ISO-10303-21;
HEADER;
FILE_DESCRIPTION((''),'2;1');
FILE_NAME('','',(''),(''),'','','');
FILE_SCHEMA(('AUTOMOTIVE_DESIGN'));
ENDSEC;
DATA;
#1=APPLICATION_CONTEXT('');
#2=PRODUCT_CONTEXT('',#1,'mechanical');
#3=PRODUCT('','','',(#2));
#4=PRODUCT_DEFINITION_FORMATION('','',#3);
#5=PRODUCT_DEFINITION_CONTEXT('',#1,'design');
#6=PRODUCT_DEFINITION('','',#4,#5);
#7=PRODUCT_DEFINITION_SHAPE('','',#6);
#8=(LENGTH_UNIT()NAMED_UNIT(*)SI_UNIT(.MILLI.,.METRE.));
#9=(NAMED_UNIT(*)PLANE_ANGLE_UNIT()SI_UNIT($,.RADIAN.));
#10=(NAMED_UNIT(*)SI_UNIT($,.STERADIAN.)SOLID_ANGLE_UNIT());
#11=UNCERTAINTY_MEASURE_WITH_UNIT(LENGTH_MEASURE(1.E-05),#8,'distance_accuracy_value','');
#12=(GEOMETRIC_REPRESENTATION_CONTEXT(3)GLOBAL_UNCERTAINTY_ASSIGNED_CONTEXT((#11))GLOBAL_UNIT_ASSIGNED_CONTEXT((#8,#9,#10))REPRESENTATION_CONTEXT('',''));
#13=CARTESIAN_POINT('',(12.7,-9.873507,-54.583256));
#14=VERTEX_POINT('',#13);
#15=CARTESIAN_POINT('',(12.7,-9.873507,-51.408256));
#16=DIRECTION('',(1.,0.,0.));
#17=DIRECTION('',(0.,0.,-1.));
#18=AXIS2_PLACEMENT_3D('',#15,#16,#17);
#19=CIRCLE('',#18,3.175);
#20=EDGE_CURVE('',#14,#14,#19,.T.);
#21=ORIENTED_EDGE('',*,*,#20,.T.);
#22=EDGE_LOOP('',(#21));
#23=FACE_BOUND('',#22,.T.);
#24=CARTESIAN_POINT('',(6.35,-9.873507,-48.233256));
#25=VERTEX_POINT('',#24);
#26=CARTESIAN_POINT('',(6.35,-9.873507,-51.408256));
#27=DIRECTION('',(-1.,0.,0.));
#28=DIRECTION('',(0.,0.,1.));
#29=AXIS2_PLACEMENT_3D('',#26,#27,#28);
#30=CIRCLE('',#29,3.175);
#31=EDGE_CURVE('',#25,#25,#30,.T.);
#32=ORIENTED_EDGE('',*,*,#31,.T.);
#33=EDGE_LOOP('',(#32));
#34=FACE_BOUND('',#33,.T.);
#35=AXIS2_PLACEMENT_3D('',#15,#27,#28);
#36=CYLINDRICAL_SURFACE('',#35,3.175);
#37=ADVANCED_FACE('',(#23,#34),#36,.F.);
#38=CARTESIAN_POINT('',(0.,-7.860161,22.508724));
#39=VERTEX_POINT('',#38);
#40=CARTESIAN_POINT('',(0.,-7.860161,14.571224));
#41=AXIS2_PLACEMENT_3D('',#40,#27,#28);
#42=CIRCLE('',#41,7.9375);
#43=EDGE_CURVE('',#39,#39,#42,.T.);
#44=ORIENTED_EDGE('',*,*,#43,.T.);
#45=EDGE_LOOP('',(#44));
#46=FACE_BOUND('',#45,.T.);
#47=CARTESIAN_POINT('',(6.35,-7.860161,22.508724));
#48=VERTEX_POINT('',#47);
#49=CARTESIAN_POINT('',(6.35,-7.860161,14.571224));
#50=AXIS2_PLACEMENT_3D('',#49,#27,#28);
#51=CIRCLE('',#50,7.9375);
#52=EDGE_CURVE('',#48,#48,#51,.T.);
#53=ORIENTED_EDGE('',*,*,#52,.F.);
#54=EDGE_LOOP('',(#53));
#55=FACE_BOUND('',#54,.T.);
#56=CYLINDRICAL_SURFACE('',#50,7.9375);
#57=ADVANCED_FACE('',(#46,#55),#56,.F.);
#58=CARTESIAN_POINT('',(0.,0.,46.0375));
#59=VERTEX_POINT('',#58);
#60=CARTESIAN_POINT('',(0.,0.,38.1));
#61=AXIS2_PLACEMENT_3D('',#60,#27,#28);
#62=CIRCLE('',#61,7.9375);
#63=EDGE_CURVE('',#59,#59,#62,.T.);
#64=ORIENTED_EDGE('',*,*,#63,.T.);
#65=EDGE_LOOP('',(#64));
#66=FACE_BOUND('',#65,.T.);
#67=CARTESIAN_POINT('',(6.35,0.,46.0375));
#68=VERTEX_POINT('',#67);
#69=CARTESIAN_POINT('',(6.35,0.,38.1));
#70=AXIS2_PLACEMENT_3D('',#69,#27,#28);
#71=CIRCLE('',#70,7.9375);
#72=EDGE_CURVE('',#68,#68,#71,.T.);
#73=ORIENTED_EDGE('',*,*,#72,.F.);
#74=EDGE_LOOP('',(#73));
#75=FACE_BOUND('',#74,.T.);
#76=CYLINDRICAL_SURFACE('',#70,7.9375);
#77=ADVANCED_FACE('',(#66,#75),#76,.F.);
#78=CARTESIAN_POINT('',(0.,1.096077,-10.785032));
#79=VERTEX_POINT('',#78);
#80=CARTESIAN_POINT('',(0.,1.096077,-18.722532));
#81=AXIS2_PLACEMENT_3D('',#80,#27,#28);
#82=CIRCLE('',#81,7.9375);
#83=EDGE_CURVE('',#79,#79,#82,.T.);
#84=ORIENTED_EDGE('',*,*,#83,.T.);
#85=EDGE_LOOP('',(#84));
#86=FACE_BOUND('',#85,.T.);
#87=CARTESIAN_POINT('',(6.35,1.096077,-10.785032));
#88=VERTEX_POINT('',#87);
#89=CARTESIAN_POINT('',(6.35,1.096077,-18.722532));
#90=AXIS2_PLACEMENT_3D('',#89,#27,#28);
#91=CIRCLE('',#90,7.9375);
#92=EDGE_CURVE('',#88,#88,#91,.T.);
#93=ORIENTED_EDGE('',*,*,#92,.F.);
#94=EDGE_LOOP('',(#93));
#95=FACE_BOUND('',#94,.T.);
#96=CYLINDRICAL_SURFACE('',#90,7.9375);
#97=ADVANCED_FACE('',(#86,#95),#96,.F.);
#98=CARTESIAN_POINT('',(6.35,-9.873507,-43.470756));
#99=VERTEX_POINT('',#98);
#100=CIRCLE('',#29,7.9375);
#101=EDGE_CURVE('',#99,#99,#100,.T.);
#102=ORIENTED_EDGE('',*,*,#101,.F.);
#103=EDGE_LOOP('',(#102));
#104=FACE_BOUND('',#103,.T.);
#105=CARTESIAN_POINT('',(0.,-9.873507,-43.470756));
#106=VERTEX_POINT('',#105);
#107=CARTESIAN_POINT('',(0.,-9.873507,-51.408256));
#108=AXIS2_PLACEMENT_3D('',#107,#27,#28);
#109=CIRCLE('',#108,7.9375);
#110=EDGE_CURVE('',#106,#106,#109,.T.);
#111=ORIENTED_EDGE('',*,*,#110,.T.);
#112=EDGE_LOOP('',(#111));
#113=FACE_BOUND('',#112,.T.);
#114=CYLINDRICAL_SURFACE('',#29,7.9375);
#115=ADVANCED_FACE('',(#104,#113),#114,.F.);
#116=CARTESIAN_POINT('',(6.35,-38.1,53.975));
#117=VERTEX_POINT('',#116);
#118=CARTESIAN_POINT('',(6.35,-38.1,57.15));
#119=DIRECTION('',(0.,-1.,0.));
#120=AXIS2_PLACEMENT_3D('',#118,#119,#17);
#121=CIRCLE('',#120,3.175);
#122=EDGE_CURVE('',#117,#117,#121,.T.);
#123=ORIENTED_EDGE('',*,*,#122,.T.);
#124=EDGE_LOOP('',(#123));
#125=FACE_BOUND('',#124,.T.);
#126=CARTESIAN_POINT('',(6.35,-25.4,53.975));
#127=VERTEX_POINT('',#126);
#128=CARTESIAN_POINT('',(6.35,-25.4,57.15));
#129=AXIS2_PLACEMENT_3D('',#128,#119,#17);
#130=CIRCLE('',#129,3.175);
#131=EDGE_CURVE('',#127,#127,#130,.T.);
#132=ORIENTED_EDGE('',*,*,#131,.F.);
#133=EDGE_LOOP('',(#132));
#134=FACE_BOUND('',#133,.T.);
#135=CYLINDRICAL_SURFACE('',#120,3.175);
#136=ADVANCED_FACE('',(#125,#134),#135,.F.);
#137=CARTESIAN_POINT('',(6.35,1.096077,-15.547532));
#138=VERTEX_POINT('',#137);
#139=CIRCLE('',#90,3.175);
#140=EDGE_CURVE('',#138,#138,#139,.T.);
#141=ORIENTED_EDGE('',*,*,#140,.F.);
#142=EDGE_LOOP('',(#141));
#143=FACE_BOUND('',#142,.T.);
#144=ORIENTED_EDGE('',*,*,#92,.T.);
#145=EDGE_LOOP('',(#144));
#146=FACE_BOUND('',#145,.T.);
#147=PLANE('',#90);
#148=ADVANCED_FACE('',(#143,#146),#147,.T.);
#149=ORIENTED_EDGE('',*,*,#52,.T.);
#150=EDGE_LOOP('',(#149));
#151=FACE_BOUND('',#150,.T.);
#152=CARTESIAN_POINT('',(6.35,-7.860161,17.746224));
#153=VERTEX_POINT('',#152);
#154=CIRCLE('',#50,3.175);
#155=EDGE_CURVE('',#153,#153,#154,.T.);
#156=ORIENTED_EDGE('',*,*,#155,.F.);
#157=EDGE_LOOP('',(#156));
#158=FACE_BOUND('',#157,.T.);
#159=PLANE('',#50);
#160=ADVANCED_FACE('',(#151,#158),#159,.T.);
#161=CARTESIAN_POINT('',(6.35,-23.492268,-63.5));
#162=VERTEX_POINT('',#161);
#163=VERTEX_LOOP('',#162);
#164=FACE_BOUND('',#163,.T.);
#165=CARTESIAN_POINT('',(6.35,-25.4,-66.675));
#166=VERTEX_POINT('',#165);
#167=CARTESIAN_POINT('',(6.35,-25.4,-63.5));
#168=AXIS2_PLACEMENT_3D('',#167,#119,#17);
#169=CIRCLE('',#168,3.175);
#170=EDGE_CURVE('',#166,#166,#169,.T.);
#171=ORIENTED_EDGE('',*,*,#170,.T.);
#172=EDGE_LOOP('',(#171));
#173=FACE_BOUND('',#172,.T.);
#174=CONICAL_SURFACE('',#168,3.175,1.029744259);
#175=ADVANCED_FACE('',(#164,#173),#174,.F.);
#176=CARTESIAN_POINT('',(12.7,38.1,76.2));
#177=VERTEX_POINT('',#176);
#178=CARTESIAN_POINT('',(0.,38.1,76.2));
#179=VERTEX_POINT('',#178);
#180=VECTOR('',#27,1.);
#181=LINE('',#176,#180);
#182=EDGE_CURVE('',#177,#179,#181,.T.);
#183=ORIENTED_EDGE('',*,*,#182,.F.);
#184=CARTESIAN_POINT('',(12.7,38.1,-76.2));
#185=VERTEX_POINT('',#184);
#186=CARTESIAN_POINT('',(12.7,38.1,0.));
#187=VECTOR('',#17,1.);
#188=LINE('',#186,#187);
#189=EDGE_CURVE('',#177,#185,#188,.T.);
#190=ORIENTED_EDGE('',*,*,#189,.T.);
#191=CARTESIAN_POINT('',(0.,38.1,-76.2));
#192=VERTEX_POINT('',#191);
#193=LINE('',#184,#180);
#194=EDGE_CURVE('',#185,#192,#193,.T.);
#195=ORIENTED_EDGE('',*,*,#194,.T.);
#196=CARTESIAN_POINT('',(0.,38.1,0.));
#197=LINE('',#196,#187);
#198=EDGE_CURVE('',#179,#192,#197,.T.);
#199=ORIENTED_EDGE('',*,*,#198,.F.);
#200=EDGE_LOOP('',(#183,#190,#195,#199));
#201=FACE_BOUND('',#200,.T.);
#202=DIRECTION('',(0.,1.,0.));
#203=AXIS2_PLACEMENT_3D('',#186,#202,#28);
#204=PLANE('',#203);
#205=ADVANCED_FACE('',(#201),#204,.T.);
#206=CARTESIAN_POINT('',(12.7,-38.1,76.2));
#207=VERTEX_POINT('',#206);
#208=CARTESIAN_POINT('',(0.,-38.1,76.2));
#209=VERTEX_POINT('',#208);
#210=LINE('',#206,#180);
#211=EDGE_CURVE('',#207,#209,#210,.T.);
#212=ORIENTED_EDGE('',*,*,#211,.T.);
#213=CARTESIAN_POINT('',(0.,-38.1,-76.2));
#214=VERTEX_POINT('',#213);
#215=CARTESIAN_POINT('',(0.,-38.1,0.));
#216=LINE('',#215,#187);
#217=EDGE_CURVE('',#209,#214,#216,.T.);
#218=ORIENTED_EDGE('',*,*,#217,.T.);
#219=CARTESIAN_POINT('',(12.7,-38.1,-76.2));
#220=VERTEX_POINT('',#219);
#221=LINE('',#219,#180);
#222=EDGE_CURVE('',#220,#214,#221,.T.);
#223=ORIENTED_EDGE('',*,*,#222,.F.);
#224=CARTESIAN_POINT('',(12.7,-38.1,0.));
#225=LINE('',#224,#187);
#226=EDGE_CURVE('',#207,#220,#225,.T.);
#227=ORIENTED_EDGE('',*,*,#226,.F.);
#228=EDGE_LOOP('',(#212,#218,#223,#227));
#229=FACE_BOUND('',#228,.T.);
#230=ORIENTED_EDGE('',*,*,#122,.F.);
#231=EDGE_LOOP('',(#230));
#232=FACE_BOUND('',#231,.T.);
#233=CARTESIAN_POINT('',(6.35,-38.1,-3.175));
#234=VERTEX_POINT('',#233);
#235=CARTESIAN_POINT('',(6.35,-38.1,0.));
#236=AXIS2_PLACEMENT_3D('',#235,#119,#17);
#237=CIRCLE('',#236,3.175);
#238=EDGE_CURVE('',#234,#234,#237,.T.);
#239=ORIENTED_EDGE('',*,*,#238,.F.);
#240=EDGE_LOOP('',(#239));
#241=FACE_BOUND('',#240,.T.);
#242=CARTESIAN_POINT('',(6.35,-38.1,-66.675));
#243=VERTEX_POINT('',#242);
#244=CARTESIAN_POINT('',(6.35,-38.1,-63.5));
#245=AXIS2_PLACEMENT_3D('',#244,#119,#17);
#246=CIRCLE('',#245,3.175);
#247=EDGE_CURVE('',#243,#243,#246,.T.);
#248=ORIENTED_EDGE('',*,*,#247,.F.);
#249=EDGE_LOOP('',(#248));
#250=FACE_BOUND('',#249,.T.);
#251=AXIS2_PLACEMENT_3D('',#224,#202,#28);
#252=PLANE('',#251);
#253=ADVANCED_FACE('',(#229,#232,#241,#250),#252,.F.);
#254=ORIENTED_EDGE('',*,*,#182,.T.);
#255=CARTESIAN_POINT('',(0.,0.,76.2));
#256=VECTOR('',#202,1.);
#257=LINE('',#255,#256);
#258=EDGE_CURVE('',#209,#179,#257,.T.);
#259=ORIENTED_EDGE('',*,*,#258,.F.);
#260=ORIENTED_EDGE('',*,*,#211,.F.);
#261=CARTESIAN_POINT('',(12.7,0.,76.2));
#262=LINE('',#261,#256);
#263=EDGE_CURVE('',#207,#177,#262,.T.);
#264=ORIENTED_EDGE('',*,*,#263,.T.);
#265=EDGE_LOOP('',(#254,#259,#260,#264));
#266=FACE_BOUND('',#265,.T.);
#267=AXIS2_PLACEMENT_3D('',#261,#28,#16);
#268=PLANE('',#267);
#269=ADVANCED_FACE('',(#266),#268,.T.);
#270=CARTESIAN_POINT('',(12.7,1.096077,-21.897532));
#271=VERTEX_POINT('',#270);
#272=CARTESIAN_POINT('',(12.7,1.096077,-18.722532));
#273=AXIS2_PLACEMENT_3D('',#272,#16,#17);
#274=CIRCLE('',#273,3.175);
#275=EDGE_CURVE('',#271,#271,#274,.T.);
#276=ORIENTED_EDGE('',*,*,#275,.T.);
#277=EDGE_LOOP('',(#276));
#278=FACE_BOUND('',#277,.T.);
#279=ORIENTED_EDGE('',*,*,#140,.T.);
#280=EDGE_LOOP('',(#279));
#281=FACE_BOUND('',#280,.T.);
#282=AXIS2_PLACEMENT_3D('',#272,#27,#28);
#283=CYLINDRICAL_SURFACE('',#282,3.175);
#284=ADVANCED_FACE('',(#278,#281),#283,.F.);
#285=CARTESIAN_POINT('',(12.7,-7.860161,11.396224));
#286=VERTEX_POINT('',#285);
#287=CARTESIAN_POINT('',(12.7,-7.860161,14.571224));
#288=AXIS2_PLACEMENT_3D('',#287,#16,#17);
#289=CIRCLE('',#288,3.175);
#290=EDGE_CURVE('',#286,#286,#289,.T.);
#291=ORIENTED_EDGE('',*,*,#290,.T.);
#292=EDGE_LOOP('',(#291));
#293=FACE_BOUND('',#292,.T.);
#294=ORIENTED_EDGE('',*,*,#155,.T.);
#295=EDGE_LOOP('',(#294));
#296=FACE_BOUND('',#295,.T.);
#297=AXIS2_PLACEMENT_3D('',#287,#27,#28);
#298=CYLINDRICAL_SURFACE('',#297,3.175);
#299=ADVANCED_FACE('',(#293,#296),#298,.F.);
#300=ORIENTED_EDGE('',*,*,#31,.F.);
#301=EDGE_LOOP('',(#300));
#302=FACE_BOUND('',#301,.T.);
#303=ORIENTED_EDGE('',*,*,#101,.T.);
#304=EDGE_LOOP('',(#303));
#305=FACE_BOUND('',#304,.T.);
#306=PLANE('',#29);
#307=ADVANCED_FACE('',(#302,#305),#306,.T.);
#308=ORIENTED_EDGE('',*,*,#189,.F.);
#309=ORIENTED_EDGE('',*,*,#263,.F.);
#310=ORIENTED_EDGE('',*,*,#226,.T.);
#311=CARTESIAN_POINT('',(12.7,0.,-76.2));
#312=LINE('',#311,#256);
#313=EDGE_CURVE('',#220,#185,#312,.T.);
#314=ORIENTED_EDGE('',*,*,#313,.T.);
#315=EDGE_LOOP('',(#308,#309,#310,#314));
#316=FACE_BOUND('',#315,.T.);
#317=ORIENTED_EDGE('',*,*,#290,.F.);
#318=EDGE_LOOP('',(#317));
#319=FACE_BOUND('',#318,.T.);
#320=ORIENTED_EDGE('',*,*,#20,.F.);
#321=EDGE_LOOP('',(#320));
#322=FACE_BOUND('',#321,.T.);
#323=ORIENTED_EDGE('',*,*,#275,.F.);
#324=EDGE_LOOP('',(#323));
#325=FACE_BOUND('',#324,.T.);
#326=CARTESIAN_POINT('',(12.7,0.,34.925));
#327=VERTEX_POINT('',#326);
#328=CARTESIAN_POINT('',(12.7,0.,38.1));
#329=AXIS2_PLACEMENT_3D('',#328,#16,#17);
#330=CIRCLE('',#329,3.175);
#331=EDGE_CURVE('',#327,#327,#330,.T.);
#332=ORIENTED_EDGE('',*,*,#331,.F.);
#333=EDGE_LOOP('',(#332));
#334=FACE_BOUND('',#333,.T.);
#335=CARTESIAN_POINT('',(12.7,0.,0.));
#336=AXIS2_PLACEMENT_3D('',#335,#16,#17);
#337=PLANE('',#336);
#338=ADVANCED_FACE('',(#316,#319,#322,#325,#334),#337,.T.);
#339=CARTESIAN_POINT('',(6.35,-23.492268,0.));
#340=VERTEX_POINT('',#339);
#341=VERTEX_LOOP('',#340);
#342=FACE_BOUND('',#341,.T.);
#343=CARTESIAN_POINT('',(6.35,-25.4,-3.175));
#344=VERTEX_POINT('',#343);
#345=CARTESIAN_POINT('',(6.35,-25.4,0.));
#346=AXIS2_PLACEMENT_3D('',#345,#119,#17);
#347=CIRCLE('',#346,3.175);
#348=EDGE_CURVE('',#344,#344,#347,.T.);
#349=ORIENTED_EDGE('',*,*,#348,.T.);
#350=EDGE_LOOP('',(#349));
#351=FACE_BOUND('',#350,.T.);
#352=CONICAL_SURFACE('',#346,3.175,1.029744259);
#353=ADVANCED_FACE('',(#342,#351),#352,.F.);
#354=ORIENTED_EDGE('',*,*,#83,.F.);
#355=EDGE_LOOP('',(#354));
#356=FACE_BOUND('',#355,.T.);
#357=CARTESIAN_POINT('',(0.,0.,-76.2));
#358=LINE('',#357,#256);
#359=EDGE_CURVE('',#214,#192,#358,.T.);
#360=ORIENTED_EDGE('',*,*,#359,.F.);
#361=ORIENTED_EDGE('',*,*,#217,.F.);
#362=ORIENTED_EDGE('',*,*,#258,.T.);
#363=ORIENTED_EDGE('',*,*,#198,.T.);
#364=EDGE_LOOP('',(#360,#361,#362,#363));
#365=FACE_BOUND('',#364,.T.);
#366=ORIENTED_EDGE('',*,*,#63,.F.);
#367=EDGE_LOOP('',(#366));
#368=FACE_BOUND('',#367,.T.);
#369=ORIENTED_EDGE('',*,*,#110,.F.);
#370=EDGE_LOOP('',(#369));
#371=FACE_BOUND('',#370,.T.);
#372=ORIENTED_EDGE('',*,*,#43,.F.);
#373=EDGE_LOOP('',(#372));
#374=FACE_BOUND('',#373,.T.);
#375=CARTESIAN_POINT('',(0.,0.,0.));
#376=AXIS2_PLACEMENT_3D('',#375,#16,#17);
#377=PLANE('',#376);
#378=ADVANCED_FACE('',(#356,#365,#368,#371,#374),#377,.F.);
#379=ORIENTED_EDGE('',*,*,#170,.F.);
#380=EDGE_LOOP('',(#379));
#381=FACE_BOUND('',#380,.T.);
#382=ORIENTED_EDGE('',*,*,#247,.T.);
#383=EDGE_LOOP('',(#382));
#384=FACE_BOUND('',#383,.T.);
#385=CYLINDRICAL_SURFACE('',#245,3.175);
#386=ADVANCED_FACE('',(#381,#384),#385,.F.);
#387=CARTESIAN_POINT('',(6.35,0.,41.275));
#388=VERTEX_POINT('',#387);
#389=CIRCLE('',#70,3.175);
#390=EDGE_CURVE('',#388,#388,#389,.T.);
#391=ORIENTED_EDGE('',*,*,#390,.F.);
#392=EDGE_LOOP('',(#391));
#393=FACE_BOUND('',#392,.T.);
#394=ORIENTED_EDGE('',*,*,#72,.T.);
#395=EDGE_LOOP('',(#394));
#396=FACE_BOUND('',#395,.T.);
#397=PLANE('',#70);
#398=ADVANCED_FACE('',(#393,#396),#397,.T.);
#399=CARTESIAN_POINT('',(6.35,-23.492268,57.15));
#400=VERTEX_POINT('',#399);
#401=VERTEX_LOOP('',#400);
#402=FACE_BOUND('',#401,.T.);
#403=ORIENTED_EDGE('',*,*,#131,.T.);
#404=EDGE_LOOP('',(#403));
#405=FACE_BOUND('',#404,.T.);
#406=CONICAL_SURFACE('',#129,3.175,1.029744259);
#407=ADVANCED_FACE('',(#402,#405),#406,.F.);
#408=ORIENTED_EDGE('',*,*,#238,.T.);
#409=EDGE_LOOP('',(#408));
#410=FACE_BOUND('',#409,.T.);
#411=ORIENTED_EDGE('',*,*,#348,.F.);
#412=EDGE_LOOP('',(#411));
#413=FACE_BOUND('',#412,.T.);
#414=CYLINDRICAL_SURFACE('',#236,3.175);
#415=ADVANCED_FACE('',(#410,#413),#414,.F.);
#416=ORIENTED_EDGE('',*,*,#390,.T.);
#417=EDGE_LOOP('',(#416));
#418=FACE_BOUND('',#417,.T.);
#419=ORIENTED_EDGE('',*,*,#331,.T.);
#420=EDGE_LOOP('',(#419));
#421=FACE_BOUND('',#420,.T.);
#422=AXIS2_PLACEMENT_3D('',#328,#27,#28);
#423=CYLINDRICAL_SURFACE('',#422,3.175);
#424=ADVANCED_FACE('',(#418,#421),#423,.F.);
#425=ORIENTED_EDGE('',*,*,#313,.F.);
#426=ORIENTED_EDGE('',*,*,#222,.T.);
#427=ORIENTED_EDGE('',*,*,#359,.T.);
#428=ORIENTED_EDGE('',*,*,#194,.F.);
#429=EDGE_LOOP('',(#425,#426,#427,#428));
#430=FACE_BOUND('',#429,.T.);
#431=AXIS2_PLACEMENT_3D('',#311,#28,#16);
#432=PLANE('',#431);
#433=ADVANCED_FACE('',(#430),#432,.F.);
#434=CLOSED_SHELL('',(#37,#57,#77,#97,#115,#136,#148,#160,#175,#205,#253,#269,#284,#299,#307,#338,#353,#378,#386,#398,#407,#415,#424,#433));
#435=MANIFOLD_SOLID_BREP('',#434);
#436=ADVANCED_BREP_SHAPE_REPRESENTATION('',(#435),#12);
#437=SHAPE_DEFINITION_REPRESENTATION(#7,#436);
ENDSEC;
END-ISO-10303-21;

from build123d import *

# Parameters (mm, degrees)
SKETCH1_W                       = 152.4
SKETCH1_H                       = 76.2
SKETCH1_R                       = 3.175
BOSS_EXTRUDE1_DEPTH             = 12.7
SKETCH2_R                       = 7.9375
CUT_EXTRUDE1_DEPTH              = 6.35
F_1_4_0_25_DIAMETER_HOLE1_D     = 6.35
F_1_4_0_25_DIAMETER_HOLE1_DEPTH = 12.7
F_1_4_0_25_DIAMETER_HOLE1_TIP   = 1.907732465


with BuildPart() as part:
    # Sketch1 → Boss-Extrude1 (new body)
    with BuildSketch(Plane(origin=(0, 0, 0), x_dir=(0, 0, -1), z_dir=(1, 0, 0))):
        Rectangle(SKETCH1_W, SKETCH1_H)
        with Locations((18.72253158, 1.096077429)):
            Circle(SKETCH1_R, mode=Mode.SUBTRACT)
        with Locations((-38.1, 0)):
            Circle(SKETCH1_R, mode=Mode.SUBTRACT)
        with Locations((-14.571224015, -7.860160654)):
            Circle(SKETCH1_R, mode=Mode.SUBTRACT)
        with Locations((51.408255992, -9.873506971)):
            Circle(SKETCH1_R, mode=Mode.SUBTRACT)
    extrude(amount=BOSS_EXTRUDE1_DEPTH)

    # Sketch2 → Cut-Extrude1 (cut)
    with BuildSketch(Plane.ZY):
        with Locations((38.1, 0)):
            Circle(SKETCH2_R)
        with Locations((14.571224015, -7.860160654)):
            Circle(SKETCH2_R)
        with Locations((-18.72253158, 1.096077429)):
            Circle(SKETCH2_R)
        with Locations((-51.408255992, -9.873506971)):
            Circle(SKETCH2_R)
    extrude(amount=-CUT_EXTRUDE1_DEPTH, mode=Mode.SUBTRACT)

    # 1/4 (0.25) Diameter Hole1
    with Locations(Plane.XZ.offset(38.1)):
        with Locations((6.35, -63.5), (6.35, 0), (6.35, 57.15)):
            Hole(F_1_4_0_25_DIAMETER_HOLE1_D / 2, depth=F_1_4_0_25_DIAMETER_HOLE1_DEPTH)
            with Locations((0, 0, -(F_1_4_0_25_DIAMETER_HOLE1_DEPTH + F_1_4_0_25_DIAMETER_HOLE1_TIP / 2))):  # 118° drill point
                Cone(0, F_1_4_0_25_DIAMETER_HOLE1_D / 2, F_1_4_0_25_DIAMETER_HOLE1_TIP, mode=Mode.SUBTRACT)


solid = part.part
